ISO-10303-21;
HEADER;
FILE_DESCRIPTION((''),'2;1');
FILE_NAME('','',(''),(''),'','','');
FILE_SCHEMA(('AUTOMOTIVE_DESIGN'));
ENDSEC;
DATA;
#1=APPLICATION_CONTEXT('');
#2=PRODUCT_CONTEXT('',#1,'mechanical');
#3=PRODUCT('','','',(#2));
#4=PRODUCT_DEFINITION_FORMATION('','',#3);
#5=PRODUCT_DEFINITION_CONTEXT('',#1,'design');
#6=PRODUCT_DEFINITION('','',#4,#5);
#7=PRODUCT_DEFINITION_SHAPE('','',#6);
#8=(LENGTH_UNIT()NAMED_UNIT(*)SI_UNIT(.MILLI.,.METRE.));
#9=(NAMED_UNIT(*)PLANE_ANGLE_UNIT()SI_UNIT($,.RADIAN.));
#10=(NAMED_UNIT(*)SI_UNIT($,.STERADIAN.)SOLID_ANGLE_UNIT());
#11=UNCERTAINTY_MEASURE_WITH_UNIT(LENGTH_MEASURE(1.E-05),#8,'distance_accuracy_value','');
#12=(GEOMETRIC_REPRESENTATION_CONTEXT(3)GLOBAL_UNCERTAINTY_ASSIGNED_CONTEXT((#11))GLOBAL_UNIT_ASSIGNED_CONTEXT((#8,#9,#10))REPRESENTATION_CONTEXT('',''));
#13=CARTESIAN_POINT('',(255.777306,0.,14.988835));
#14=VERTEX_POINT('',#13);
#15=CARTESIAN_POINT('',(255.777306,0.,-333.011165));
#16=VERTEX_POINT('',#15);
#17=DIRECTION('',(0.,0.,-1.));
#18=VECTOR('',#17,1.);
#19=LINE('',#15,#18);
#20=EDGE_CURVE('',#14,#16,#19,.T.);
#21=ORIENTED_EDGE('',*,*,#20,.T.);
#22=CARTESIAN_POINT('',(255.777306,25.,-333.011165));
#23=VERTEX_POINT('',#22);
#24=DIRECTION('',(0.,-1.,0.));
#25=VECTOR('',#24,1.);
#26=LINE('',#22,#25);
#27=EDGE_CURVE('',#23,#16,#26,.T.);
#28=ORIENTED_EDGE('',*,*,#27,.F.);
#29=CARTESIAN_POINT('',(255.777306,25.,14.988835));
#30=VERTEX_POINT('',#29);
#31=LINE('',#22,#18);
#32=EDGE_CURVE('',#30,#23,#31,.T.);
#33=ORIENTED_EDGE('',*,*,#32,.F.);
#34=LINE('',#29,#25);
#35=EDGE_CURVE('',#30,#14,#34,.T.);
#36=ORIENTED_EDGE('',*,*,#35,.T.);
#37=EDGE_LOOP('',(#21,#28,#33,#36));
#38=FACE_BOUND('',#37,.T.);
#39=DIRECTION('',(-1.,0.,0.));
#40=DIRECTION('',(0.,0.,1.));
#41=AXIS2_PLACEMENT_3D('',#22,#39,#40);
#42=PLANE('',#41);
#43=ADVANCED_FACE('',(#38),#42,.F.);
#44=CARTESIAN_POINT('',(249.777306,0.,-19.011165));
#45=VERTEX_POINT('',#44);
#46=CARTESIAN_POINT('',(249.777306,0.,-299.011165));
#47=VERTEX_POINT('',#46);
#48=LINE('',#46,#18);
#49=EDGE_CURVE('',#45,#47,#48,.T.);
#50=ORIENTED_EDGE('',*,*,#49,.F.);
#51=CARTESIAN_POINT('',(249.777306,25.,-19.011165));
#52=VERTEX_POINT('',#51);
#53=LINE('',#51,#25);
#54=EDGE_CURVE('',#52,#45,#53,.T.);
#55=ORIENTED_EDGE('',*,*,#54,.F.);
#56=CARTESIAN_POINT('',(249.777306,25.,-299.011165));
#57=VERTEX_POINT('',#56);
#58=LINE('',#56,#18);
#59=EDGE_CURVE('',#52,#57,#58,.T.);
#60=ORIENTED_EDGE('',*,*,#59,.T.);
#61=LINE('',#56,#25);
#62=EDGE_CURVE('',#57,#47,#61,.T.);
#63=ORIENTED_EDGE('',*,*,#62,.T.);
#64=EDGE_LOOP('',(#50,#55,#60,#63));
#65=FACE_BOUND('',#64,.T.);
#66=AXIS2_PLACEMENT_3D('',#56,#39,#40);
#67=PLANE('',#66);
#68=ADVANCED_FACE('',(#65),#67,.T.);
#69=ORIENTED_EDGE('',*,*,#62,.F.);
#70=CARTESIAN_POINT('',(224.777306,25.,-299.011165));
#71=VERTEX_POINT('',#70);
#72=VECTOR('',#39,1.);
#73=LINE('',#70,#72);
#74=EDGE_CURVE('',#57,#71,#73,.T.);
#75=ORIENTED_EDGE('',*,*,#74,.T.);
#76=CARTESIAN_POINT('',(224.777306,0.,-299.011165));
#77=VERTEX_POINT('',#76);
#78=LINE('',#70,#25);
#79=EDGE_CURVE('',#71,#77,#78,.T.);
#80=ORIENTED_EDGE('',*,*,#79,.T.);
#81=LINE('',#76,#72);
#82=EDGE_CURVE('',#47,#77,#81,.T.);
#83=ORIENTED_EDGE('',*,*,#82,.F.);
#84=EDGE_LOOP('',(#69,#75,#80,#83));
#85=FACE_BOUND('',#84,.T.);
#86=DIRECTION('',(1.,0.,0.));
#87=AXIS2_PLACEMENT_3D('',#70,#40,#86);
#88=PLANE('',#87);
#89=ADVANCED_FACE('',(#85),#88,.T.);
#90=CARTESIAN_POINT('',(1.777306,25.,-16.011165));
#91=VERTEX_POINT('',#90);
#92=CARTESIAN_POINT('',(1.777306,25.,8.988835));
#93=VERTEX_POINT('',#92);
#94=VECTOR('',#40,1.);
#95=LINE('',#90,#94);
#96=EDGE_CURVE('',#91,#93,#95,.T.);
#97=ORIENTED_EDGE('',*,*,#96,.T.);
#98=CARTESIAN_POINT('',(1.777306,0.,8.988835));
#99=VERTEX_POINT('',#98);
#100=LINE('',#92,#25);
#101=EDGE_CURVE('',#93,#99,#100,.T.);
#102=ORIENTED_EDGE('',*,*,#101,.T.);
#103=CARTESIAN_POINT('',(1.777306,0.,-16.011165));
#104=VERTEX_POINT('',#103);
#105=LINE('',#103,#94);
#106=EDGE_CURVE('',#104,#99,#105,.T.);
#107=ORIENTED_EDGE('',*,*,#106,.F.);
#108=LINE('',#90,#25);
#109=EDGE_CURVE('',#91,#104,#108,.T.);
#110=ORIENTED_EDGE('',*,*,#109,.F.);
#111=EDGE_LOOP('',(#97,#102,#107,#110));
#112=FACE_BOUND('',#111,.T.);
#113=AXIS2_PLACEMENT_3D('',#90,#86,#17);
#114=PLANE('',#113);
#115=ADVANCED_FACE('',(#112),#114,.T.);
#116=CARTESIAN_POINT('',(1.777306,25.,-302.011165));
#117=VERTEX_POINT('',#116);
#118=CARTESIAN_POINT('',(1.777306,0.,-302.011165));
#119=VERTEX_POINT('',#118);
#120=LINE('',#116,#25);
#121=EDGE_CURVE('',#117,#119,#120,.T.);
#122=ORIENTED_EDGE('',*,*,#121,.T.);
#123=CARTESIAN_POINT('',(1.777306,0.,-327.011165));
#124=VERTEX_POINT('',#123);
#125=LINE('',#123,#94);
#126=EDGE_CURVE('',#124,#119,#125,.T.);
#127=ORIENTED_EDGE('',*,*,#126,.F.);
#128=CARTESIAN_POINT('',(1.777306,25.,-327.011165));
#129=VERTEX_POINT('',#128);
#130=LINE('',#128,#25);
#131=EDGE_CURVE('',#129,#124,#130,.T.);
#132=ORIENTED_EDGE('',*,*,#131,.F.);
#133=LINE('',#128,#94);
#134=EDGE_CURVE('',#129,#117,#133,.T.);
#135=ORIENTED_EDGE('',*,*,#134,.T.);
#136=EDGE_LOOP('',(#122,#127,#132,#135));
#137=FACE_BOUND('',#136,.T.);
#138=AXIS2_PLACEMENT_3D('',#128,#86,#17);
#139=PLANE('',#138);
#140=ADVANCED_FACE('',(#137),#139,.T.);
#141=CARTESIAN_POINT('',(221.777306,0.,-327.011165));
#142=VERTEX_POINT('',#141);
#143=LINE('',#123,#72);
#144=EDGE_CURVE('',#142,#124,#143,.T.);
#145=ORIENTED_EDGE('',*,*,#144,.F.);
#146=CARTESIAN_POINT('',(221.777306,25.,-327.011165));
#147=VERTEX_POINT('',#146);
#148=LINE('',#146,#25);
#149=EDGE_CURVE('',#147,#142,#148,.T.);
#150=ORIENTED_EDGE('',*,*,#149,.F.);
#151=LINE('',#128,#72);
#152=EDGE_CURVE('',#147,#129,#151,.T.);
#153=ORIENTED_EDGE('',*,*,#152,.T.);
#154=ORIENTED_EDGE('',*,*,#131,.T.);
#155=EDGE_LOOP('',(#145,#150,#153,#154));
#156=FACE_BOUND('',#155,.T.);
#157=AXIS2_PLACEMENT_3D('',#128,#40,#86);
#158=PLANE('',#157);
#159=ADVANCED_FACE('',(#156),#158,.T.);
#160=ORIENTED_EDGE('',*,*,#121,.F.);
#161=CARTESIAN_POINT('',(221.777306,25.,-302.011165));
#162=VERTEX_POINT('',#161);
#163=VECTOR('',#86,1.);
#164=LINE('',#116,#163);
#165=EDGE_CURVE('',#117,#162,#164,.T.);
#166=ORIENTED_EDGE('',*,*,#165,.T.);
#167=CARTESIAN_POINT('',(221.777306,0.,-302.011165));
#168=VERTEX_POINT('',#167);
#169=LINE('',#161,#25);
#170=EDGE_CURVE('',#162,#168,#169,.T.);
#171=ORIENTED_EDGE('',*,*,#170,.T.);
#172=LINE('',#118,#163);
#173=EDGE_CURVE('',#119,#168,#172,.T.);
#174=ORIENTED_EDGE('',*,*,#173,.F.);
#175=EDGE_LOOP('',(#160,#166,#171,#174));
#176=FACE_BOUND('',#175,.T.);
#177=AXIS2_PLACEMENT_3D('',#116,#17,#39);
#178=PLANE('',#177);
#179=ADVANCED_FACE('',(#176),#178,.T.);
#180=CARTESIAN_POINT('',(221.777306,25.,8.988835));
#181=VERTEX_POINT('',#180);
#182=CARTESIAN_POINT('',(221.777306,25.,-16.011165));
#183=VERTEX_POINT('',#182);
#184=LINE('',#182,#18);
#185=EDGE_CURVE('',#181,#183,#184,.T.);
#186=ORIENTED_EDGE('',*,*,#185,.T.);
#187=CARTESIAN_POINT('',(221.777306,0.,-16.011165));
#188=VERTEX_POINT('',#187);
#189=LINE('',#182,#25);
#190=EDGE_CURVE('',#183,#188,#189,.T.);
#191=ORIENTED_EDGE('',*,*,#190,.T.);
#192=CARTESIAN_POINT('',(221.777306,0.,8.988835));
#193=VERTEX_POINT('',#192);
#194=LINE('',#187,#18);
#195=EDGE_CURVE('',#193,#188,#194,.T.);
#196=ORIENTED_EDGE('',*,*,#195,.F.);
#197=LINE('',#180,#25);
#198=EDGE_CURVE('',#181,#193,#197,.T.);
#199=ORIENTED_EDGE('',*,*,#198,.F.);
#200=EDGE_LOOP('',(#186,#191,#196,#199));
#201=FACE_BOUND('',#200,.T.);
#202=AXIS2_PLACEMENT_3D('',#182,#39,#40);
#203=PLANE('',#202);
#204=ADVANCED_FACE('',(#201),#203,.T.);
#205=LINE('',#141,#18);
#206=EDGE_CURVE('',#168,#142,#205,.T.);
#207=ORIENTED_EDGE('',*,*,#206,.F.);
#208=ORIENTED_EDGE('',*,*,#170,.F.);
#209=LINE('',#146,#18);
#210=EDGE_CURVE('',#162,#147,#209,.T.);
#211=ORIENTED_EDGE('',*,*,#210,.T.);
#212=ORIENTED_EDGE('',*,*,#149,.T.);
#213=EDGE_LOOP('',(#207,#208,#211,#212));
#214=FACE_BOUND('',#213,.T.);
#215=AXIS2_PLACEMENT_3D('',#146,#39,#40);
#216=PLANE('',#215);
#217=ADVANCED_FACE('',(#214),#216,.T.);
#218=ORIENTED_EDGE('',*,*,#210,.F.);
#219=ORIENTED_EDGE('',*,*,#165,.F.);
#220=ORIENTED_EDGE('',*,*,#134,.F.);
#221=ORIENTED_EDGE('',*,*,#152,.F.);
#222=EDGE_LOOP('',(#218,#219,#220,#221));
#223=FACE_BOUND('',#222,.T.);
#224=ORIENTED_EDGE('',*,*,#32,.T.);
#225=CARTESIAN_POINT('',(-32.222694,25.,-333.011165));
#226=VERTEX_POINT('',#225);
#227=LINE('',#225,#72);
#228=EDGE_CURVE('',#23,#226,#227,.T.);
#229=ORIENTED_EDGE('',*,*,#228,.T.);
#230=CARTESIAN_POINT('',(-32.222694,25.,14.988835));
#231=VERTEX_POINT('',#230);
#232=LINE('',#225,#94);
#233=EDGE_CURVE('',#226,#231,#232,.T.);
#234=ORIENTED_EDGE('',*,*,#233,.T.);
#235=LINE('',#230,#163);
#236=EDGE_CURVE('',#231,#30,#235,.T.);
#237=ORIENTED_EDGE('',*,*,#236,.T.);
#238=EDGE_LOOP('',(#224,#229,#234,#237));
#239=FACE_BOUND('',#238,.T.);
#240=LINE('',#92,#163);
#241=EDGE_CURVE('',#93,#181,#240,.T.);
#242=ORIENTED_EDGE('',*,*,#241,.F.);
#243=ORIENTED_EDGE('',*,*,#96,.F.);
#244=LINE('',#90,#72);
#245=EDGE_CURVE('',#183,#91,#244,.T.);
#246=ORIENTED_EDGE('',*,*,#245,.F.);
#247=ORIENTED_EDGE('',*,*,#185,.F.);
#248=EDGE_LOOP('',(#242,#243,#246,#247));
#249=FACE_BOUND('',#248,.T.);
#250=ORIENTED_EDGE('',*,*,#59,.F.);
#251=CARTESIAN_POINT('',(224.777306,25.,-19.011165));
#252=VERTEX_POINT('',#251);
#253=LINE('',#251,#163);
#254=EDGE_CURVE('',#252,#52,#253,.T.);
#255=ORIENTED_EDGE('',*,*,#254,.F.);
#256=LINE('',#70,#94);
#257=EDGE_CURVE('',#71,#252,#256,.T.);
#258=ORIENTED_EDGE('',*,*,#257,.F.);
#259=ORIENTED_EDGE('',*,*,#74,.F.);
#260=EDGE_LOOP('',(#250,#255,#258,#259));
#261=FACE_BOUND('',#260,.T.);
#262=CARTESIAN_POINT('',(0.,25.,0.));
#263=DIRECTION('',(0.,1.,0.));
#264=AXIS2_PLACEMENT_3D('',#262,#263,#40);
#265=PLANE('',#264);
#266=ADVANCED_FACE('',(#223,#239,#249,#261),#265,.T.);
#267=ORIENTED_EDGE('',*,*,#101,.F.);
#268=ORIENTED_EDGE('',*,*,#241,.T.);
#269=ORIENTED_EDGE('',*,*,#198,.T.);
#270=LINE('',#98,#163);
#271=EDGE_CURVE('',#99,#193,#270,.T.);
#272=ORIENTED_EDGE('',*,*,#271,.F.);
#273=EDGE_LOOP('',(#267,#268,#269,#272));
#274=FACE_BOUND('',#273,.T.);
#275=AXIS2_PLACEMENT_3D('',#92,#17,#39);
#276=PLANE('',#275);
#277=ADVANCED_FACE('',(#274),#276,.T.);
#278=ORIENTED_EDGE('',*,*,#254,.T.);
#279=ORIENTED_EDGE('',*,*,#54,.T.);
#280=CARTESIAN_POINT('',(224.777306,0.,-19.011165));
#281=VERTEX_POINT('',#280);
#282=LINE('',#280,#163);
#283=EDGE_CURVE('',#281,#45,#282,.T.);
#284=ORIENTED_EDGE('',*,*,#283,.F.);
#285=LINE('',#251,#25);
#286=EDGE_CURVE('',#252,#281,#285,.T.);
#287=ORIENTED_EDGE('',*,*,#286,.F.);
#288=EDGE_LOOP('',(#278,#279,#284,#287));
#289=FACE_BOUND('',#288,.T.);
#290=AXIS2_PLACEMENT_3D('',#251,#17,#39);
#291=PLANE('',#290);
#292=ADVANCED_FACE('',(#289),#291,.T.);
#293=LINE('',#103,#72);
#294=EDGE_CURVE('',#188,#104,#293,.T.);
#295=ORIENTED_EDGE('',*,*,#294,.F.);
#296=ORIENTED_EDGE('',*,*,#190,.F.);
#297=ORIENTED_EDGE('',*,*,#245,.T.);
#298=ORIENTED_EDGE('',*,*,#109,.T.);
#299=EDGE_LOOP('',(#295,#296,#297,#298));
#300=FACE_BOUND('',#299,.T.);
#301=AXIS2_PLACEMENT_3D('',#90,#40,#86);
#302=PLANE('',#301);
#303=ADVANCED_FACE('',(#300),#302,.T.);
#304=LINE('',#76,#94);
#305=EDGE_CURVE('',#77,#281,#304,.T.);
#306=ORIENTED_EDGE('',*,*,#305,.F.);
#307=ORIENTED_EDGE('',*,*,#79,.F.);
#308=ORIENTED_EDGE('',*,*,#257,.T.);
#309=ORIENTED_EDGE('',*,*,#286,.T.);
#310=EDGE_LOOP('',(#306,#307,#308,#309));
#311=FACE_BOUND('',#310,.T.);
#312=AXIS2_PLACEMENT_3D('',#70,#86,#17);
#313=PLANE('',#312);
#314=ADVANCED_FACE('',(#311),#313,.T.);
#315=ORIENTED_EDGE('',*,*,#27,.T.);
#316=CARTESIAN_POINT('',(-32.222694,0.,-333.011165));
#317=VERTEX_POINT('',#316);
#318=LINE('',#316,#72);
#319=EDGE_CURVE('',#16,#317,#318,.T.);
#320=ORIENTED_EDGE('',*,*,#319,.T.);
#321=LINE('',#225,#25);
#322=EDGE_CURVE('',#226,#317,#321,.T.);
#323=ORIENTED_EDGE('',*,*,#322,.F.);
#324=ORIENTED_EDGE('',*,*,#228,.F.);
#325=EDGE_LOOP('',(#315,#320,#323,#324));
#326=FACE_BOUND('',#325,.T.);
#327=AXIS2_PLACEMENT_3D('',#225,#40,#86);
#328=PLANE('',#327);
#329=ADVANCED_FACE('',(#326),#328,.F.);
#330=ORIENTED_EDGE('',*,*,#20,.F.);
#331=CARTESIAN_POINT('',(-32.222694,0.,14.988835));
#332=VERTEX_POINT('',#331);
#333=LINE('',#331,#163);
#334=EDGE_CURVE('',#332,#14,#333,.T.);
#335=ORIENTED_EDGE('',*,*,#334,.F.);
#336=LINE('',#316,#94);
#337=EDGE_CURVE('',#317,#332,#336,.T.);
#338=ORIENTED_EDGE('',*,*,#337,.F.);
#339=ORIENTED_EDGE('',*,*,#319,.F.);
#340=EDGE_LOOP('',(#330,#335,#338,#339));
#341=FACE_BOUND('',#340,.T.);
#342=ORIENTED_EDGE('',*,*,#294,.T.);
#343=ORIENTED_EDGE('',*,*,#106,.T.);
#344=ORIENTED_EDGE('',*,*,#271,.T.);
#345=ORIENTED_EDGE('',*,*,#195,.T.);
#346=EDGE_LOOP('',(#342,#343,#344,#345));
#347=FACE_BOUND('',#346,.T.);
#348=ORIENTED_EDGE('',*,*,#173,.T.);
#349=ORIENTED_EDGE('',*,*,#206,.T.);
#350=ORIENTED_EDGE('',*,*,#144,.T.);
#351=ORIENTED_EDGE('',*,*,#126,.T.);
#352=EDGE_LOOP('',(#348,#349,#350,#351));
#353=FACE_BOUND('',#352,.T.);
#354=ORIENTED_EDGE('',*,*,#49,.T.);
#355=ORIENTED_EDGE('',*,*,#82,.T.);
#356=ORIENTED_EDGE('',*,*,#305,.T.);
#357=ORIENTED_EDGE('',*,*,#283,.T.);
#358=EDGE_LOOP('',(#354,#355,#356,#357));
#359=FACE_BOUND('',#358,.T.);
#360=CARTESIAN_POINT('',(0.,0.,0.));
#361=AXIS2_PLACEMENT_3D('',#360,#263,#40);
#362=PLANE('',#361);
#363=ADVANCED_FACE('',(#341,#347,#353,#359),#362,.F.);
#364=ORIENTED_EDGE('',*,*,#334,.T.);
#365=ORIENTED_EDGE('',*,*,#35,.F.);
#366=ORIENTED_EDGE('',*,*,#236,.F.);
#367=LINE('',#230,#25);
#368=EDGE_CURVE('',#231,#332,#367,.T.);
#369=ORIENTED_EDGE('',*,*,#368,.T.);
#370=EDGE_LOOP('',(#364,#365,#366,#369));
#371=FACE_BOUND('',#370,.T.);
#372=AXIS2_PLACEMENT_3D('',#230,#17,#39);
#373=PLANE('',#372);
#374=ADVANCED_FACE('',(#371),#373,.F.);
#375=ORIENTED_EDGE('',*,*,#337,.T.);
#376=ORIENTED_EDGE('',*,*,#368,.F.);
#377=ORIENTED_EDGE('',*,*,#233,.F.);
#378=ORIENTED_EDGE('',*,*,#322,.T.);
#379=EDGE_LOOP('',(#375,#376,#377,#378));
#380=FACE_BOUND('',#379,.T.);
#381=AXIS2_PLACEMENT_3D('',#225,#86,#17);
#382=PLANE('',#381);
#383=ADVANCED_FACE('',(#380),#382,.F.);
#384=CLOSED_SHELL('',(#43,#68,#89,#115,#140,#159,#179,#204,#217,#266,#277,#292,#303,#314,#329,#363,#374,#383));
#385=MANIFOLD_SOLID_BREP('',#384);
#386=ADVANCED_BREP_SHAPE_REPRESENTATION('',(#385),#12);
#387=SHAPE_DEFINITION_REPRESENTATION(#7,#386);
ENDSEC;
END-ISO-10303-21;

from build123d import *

# Parameters (mm, degrees)
SKETCH1_W           = 288
SKETCH1_H           = 348
BOSS_EXTRUDE1_DEPTH = 25
SKETCH2_W           = 220
SKETCH2_H           = 25
SKETCH2_W_2         = 25
SKETCH2_H_2         = 280
CUT_EXTRUDE5_DEPTH  = 25


with BuildPart() as part:
    # Sketch1 → Boss-Extrude1 (new body)
    with BuildSketch(Plane(origin=(0, 0, 0), x_dir=(1, 0, 0), z_dir=(0, 1, 0))):
        with Locations((111.777306141, 159.011164947)):
            Rectangle(SKETCH1_W, SKETCH1_H)
    extrude(amount=BOSS_EXTRUDE1_DEPTH)

    # Sketch2 → Cut-Extrude5 (cut)
    with BuildSketch(Plane(origin=(0, 0, 0), x_dir=(1, 0, 0), z_dir=(0, 1, 0))):
        with Locations((111.777306141, 314.511164947)):
            Rectangle(SKETCH2_W, SKETCH2_H)
        with Locations((111.777306141, 3.511164947)):
            Rectangle(SKETCH2_W, SKETCH2_H)
        with Locations((237.277306141, 159.011164947)):
            Rectangle(SKETCH2_W_2, SKETCH2_H_2)
    extrude(amount=CUT_EXTRUDE5_DEPTH, mode=Mode.SUBTRACT)


solid = part.part
